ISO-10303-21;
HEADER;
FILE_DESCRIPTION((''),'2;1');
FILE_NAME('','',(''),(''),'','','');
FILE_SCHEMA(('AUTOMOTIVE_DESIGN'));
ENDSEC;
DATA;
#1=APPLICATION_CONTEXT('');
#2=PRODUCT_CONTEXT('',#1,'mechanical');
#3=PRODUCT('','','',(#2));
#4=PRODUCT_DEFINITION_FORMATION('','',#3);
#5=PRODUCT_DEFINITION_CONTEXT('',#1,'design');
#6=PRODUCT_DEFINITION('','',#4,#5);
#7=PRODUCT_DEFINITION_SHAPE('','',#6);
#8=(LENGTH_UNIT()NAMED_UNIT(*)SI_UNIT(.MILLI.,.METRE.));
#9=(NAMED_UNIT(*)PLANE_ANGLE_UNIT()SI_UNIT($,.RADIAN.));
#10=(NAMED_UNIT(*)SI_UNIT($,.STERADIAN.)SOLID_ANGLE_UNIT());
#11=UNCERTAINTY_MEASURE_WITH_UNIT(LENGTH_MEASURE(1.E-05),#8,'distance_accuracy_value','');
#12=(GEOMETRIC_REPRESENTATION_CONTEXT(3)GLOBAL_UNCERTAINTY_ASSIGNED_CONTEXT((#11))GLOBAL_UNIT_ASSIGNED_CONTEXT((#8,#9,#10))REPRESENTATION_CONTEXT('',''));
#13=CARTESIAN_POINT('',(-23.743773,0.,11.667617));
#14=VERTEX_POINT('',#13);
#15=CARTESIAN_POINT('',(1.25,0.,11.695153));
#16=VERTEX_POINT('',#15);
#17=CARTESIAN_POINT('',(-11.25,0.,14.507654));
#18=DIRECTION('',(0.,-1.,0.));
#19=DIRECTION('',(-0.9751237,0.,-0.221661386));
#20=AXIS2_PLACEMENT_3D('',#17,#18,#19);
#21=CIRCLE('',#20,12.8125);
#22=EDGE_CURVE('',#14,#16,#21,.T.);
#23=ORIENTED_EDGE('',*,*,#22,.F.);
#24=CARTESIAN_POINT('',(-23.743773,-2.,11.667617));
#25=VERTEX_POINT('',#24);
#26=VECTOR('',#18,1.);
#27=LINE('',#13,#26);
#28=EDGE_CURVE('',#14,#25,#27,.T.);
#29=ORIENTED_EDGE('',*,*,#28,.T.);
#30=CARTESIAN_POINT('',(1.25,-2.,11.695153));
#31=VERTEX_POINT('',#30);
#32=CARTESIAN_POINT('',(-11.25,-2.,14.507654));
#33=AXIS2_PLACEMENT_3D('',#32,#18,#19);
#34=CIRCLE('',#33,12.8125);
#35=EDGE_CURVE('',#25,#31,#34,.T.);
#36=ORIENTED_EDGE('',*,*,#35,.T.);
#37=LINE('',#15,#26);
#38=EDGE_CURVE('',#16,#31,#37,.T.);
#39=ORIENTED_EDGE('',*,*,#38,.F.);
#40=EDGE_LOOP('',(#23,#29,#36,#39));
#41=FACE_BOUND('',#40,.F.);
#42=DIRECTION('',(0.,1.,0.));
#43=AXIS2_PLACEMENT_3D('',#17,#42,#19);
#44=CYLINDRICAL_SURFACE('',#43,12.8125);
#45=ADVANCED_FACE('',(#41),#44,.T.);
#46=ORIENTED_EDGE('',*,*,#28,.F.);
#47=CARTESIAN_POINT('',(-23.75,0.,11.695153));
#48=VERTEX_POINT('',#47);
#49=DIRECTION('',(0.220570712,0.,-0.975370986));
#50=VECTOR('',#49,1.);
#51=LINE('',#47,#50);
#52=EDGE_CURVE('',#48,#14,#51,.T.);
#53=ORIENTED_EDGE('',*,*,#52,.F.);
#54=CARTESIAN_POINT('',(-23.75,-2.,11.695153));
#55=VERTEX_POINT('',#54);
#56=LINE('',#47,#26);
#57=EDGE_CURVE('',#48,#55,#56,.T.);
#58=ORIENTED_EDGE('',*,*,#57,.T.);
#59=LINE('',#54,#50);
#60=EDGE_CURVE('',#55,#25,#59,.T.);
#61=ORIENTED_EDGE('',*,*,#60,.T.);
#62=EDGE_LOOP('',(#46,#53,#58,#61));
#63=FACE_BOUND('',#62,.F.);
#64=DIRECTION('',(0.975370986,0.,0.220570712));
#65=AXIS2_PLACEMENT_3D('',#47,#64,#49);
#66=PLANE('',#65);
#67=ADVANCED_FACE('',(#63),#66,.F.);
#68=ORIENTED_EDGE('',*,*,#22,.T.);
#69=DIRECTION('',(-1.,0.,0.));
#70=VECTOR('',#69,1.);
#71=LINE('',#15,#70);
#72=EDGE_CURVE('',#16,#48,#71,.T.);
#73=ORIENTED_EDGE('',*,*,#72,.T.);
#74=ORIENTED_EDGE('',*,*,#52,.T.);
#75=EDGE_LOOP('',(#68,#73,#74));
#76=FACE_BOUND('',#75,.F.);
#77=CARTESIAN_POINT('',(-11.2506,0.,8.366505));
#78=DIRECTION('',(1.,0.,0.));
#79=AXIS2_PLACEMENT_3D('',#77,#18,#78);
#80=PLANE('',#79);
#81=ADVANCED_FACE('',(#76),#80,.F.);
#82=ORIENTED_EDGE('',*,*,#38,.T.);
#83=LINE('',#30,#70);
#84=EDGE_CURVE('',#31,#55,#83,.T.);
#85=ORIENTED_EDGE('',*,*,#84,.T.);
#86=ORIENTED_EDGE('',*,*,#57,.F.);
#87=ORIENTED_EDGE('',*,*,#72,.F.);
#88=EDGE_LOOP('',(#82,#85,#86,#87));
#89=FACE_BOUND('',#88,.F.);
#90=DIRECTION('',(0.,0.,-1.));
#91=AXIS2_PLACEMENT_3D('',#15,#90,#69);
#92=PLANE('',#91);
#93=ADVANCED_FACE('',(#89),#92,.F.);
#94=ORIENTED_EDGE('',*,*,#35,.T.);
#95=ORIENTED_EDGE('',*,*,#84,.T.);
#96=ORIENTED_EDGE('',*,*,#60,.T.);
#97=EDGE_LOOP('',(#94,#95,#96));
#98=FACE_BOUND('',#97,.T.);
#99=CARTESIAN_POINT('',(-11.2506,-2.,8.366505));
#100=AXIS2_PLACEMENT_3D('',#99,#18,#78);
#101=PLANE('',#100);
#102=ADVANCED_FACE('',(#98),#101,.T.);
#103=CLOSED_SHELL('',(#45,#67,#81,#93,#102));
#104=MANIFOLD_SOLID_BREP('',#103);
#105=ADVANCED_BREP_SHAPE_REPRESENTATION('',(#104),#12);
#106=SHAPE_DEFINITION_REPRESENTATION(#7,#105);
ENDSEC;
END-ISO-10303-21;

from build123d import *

# Parameters (mm, degrees)
F1_DEPTH = 2


with BuildPart() as f1:
    # F0 (on Front) → F1 (new body)
    with BuildSketch(Plane.XZ):
        with BuildLine():
            Line((1.25, 11.695153), (-23.75, 11.695153))
            Line((-23.75, 11.695153), (-23.743773, 11.667617))
            ThreePointArc((-23.743773, 11.667617), (-11.235884, 1.695161), (1.25, 11.695153))
        make_face()
    extrude(amount=F1_DEPTH)


solid = f1.part
